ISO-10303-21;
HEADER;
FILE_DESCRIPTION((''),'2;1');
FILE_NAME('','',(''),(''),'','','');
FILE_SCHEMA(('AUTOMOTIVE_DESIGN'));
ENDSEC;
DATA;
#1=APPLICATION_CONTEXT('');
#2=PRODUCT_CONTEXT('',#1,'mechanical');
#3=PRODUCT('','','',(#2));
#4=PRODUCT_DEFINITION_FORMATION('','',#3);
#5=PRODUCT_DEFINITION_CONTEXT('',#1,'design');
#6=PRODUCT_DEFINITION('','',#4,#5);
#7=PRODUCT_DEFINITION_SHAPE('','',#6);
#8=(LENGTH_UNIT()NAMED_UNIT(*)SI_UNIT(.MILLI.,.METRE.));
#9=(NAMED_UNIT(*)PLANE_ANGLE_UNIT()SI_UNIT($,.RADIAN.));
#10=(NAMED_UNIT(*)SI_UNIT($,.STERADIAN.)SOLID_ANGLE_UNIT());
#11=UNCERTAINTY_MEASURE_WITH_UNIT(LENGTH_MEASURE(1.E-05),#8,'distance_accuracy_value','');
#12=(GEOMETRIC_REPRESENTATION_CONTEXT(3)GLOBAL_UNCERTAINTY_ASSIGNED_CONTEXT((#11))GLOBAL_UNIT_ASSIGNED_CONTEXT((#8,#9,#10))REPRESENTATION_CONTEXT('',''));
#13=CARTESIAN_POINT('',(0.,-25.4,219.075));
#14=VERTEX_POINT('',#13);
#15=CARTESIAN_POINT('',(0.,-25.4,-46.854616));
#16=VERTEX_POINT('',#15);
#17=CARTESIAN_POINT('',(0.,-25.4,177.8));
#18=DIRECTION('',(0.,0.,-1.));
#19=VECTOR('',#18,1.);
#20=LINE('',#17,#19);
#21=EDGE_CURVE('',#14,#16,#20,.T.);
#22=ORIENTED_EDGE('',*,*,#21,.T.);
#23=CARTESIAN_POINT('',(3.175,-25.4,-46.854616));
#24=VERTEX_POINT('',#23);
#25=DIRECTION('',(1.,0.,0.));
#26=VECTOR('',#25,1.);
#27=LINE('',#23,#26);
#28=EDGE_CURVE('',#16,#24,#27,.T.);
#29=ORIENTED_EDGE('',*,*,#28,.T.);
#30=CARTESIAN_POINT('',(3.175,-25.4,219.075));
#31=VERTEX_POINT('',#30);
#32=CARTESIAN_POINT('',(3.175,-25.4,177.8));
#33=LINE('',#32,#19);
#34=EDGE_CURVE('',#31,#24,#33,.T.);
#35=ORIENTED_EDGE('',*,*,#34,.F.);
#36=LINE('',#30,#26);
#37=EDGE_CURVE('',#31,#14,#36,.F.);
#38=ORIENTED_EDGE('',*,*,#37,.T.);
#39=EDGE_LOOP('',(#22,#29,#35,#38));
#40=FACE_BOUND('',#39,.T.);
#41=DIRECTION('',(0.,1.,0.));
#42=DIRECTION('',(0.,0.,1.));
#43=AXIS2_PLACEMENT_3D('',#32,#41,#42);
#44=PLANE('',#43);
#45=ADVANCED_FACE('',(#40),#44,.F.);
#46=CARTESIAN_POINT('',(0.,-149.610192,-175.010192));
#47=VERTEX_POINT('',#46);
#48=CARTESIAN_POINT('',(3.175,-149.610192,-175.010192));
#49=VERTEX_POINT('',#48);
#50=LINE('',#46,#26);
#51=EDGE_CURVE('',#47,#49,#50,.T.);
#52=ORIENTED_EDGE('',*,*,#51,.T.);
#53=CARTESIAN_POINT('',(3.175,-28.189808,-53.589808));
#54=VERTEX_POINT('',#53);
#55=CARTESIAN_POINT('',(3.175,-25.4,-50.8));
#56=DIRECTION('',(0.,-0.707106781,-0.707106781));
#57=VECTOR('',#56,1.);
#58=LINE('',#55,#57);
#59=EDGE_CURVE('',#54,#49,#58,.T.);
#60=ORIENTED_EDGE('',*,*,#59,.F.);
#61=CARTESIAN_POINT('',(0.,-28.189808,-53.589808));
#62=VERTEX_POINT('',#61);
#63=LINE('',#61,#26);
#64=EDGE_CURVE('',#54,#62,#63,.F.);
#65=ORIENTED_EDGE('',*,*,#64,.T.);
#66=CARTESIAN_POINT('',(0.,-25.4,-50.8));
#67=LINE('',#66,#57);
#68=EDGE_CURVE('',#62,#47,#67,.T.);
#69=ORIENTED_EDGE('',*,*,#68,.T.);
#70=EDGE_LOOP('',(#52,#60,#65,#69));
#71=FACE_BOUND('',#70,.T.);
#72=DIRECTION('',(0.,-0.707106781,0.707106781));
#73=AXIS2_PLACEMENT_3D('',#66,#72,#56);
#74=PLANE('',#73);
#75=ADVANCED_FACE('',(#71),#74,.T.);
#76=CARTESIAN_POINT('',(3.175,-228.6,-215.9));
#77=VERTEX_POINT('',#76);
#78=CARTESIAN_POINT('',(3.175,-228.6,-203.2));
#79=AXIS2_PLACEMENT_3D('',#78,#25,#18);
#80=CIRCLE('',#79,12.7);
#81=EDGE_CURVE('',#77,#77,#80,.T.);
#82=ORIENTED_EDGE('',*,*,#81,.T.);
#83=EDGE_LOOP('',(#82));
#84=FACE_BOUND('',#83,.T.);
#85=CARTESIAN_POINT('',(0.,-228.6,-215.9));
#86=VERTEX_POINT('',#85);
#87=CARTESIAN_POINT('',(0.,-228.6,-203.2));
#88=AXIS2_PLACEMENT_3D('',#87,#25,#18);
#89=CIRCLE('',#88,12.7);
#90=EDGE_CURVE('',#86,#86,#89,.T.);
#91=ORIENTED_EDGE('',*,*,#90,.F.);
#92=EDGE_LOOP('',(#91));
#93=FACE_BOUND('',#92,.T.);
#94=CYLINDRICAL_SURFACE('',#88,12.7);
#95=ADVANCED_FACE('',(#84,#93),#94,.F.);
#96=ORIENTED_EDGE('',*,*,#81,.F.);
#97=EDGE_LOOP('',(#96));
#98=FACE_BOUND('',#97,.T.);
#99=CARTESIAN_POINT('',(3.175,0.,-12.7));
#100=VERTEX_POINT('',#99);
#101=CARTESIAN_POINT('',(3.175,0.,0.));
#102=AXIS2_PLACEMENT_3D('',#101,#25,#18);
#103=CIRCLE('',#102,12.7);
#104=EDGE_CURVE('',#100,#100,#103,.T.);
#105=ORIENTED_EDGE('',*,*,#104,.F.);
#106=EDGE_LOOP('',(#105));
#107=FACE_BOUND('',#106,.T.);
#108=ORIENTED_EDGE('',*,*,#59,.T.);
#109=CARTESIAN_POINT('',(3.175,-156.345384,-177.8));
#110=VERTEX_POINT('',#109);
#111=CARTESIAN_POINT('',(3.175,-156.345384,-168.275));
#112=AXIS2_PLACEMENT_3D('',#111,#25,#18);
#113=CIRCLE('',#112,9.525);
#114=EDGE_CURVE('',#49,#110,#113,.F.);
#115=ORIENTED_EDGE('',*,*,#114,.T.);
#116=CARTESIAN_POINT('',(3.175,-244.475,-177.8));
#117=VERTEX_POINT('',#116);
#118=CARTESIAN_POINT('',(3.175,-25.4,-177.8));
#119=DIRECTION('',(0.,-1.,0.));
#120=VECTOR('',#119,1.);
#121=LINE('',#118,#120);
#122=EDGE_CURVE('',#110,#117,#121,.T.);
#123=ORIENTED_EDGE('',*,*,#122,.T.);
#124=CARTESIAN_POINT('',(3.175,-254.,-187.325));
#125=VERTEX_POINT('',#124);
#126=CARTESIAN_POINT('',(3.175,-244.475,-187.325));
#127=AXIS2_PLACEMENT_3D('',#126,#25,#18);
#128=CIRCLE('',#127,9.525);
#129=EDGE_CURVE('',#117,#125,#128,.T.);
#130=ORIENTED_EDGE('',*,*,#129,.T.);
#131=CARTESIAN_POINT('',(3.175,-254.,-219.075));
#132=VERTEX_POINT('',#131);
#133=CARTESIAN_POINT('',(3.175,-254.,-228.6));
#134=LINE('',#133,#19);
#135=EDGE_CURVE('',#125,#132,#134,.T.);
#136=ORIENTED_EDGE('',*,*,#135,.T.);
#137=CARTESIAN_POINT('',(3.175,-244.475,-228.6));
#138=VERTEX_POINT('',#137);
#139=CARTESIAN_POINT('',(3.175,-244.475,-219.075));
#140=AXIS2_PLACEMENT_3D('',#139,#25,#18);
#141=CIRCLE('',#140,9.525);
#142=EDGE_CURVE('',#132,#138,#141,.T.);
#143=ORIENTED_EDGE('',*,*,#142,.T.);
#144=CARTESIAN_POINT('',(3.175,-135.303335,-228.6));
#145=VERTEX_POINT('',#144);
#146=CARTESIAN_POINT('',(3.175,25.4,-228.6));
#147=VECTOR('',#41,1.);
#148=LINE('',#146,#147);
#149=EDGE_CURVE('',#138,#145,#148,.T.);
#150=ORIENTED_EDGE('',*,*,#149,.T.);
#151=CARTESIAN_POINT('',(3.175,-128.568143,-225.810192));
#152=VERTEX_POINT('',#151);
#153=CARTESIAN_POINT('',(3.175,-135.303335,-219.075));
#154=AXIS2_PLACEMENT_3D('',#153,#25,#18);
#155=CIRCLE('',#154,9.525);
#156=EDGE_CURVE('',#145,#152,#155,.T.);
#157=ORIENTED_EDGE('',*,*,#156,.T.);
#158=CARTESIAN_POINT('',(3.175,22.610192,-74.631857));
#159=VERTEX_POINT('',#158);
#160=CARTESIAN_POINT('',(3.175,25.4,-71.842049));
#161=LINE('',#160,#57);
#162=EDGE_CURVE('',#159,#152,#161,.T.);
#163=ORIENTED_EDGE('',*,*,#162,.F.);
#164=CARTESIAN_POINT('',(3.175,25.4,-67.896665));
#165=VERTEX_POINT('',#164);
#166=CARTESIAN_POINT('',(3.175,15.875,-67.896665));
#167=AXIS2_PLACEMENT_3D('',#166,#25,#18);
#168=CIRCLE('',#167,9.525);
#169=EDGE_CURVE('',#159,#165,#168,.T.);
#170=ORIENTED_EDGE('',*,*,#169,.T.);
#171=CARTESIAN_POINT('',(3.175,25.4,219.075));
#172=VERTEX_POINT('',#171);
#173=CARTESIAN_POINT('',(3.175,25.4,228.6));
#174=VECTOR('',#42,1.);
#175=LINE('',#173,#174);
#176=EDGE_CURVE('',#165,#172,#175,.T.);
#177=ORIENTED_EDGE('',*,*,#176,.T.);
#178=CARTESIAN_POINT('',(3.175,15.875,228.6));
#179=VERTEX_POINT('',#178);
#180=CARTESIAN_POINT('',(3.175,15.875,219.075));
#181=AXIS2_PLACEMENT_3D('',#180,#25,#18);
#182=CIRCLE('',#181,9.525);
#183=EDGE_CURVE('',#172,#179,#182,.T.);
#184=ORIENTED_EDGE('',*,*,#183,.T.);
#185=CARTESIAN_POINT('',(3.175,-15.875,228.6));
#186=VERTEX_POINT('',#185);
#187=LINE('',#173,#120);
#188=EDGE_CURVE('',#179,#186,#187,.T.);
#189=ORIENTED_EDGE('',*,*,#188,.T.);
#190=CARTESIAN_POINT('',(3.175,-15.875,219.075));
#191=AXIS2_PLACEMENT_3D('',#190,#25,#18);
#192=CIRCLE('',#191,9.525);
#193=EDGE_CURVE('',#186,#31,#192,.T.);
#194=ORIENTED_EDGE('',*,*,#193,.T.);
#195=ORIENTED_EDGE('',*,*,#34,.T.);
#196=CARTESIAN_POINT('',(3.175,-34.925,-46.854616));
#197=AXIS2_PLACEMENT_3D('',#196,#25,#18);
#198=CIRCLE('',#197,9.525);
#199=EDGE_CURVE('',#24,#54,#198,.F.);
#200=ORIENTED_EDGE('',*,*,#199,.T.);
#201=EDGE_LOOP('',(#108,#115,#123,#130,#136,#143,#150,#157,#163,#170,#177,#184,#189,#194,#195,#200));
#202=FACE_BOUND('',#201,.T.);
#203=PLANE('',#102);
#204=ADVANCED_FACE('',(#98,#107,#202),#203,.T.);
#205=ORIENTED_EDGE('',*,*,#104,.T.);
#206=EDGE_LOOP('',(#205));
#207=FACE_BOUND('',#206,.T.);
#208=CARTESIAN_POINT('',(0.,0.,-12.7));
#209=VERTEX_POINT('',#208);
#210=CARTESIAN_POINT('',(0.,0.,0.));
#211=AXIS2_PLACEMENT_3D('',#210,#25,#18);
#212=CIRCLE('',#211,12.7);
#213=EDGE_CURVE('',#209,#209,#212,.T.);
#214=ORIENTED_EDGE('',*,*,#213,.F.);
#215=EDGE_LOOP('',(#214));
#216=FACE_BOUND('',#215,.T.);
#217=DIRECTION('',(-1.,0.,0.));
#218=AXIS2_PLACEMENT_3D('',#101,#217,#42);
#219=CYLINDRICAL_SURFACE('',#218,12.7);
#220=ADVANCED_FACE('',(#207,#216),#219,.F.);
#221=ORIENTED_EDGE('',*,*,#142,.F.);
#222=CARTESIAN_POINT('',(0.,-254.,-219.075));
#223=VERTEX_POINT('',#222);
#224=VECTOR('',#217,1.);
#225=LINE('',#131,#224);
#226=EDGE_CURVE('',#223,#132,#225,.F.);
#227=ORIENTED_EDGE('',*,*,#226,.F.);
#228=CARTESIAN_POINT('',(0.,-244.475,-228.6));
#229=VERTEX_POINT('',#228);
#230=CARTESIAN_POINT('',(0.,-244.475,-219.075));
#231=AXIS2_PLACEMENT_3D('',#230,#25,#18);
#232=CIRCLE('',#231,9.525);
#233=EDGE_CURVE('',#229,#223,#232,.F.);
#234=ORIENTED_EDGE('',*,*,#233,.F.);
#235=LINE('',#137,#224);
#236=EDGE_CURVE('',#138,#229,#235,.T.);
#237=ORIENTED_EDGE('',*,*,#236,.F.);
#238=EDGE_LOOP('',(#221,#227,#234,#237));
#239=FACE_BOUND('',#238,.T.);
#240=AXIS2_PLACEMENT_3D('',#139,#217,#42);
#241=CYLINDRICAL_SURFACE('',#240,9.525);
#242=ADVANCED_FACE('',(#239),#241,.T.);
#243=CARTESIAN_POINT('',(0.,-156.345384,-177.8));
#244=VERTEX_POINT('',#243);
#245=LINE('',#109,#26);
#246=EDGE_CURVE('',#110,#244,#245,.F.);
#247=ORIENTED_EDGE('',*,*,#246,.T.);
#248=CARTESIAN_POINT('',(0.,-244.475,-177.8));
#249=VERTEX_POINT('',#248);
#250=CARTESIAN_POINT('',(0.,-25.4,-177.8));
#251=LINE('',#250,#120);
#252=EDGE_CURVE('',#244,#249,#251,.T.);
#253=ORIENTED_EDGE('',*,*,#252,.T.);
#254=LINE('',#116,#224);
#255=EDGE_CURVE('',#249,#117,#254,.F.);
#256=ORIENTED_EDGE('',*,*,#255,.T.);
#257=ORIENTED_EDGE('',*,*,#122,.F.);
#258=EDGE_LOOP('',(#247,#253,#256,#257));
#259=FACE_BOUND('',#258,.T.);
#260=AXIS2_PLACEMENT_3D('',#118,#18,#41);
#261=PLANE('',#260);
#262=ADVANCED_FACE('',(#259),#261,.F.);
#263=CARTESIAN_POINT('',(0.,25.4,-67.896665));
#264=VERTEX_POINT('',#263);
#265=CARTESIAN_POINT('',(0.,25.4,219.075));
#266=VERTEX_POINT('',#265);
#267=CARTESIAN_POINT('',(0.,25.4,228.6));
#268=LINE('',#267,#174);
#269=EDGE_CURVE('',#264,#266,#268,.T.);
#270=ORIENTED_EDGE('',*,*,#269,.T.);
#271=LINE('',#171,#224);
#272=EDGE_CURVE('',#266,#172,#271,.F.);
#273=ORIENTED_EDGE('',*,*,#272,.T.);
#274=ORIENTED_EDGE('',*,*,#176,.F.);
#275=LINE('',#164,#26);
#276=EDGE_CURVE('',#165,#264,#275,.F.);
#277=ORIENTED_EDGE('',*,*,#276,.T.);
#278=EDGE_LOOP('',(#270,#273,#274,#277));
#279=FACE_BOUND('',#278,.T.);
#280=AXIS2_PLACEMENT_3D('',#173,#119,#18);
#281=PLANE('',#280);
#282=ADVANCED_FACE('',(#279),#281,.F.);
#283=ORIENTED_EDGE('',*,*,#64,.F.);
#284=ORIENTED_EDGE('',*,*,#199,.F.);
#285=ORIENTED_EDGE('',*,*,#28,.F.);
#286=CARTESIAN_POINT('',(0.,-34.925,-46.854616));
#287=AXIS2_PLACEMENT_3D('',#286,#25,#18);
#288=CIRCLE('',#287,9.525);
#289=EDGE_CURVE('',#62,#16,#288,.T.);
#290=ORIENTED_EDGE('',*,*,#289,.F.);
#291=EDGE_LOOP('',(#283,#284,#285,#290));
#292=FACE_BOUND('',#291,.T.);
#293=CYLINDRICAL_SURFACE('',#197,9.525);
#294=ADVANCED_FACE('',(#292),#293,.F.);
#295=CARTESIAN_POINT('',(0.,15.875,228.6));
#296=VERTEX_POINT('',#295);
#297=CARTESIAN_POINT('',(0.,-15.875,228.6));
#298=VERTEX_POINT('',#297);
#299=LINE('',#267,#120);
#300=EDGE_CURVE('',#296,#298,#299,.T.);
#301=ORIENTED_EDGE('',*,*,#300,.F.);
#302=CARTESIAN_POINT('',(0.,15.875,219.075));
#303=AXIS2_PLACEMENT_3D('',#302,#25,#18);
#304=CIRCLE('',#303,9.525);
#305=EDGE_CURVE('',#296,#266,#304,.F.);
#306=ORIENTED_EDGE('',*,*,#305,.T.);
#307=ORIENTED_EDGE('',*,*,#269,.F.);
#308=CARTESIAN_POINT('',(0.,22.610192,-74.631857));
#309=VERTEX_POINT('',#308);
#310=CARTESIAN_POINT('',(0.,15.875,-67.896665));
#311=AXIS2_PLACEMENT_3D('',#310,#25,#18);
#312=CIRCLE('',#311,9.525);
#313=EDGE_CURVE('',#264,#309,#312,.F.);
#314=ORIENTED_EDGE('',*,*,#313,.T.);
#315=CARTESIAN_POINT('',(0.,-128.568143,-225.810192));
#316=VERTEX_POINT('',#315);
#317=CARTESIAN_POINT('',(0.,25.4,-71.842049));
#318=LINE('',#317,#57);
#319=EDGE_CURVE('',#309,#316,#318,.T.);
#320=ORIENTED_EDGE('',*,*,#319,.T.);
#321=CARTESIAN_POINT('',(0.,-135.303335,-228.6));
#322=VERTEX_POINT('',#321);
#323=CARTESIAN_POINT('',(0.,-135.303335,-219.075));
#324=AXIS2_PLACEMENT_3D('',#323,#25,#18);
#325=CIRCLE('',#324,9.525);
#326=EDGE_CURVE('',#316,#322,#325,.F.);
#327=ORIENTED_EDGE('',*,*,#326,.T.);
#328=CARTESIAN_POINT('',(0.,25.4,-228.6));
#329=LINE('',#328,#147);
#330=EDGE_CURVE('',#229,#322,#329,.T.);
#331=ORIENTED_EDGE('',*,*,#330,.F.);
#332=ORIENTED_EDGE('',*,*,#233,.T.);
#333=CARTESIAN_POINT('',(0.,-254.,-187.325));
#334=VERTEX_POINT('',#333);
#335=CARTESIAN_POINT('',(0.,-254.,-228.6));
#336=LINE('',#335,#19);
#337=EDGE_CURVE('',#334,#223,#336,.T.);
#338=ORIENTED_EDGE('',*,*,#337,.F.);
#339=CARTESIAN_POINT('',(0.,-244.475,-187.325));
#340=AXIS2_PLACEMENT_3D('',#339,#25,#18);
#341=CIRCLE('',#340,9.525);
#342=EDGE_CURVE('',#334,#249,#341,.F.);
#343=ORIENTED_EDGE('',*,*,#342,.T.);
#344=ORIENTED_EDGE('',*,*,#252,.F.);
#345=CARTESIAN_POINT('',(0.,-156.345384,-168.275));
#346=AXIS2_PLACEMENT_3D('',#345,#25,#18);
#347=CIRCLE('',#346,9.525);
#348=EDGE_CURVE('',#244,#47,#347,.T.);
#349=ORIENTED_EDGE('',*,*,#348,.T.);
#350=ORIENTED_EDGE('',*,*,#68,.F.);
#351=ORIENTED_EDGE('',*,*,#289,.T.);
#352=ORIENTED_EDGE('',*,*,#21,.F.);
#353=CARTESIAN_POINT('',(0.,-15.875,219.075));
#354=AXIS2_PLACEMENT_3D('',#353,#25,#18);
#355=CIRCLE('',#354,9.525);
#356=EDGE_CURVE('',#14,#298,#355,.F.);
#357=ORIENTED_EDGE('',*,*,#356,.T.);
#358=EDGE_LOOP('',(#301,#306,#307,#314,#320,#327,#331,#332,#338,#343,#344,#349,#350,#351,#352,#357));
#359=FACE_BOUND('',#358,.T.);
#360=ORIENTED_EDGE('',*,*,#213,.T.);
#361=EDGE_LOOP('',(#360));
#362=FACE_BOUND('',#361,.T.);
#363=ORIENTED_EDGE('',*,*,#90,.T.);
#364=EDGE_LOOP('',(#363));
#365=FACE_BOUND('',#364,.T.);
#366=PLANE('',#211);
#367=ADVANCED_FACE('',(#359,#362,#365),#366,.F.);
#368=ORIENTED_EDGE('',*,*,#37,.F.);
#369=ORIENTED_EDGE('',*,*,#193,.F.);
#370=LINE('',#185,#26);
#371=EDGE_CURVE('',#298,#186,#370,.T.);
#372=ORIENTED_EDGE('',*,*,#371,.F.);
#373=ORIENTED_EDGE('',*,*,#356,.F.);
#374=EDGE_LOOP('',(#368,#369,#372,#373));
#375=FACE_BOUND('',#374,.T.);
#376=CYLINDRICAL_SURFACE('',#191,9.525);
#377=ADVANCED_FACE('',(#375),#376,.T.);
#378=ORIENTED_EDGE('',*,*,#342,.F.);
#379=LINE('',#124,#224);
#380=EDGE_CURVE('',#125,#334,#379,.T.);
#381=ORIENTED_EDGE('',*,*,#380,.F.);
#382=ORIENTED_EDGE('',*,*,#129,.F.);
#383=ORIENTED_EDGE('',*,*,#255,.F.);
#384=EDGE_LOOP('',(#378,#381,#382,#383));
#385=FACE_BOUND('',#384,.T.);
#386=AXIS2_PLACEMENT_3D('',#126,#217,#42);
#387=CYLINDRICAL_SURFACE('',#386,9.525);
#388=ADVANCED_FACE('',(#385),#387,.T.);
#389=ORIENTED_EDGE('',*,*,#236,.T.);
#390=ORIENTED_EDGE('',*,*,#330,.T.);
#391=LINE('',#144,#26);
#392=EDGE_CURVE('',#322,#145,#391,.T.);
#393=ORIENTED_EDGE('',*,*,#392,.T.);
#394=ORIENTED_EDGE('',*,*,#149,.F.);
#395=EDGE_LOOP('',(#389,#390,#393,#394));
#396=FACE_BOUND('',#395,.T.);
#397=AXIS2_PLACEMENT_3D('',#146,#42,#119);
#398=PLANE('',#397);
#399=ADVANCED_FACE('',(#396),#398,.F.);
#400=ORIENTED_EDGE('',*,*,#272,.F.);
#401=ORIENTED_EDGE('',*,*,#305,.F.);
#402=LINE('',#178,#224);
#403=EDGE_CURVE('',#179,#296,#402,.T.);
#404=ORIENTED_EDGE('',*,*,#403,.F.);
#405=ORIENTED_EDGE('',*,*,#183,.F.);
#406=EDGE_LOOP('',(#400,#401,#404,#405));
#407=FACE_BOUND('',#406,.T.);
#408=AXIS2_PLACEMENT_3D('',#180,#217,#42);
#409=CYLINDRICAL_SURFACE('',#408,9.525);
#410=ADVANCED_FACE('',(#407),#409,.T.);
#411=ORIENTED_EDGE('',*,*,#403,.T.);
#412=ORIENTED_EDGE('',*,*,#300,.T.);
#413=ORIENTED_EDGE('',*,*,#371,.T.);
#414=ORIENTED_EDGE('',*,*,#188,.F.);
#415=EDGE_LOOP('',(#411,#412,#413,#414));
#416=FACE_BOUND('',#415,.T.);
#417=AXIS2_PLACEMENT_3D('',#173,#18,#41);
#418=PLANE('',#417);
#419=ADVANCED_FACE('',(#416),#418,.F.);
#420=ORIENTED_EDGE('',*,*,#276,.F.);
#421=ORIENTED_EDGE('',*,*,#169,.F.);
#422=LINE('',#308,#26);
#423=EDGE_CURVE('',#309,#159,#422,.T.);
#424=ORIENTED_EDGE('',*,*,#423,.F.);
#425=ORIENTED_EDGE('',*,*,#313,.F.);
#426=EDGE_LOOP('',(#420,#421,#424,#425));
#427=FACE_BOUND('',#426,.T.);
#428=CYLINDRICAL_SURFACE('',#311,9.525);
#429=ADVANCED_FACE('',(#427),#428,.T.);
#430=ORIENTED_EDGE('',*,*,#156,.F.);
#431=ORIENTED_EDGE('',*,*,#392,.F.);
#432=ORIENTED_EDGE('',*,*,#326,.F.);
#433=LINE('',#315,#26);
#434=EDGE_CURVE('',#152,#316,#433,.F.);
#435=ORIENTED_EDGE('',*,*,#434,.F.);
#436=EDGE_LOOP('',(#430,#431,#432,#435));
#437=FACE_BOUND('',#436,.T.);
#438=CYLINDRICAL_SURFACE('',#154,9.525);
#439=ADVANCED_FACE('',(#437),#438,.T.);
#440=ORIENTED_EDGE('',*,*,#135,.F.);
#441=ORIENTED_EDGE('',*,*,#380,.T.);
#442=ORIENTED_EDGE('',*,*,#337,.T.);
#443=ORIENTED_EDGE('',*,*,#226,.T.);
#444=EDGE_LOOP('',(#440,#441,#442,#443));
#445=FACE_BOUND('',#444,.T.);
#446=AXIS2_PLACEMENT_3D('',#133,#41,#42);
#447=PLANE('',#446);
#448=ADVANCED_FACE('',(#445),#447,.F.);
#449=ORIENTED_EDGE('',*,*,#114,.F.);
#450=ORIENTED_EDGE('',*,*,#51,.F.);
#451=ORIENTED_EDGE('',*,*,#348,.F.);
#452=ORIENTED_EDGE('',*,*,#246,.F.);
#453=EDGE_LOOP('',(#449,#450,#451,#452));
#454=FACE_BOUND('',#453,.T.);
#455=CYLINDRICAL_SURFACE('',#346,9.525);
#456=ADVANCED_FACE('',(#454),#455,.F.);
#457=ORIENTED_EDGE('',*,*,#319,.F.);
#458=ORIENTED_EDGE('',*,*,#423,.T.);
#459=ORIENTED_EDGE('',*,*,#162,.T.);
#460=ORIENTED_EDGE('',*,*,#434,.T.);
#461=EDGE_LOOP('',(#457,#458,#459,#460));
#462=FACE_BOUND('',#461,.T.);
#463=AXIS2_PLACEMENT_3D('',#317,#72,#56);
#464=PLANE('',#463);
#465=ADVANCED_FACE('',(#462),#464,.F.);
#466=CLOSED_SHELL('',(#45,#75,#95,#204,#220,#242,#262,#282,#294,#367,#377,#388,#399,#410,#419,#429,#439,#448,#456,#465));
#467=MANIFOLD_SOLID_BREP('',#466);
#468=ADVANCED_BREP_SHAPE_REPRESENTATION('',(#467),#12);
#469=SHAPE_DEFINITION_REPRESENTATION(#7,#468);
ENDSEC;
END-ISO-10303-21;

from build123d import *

# Parameters (mm, degrees)
SKETCH1_R           = 12.7
BOSS_EXTRUDE1_DEPTH = 3.175
SKETCH3_R           = 12.7
CUT_EXTRUDE1_DEPTH  = 4.175
SKETCH4_W           = 50.8
SKETCH4_H           = 228.6
CUT_EXTRUDE2_DEPTH  = 4.175
BOSS_EXTRUDE2_DEPTH = 3.175
CUT_EXTRUDE3_DEPTH  = 4.175
FILLET1_R           = 9.525


with BuildPart() as part:
    # Sketch1 → Boss-Extrude1 (new body)
    with BuildSketch(Plane(origin=(0, 0, 0), x_dir=(0, 0, -1), z_dir=(1, 0, 0))):
        Polygon((-228.6, 25.4), (228.6, 25.4), (228.6, -254), (177.8, -254), (177.8, -25.4), (-177.8, -25.4), (-177.8, -254), (-228.6, -254), align=None)
        Circle(SKETCH1_R, mode=Mode.SUBTRACT)
    extrude(amount=BOSS_EXTRUDE1_DEPTH)

    # Sketch3 → Cut-Extrude1 (cut, through all)
    with BuildSketch(Plane(origin=(3.175, 0, 0), x_dir=(0, 0, -1), z_dir=(1, 0, 0))):
        with Locations((-203.2, -228.6)):
            Circle(SKETCH3_R)
        with Locations((203.2, -228.6)):
            Circle(SKETCH3_R)
    extrude(amount=-CUT_EXTRUDE1_DEPTH, mode=Mode.SUBTRACT)

    # Sketch4 → Cut-Extrude2 (cut, through all)
    with BuildSketch(Plane(origin=(3.175, 0, 0), x_dir=(0, 0, -1), z_dir=(1, 0, 0))):
        with Locations((-203.2, -139.7)):
            Rectangle(SKETCH4_W, SKETCH4_H)
    extrude(amount=-CUT_EXTRUDE2_DEPTH, mode=Mode.SUBTRACT)

    # Sketch5 → Boss-Extrude2 (add)
    with BuildSketch(Plane(origin=(3.175, 0, 0), x_dir=(0, 0, -1), z_dir=(1, 0, 0))):
        Polygon((50.8, -25.4), (177.8, -152.4), (177.8, -25.4), align=None)
    extrude(amount=-BOSS_EXTRUDE2_DEPTH)

    # Sketch6 → Cut-Extrude3 (cut, through all)
    with BuildSketch(Plane(origin=(3.175, 0, 0), x_dir=(0, 0, -1), z_dir=(1, 0, 0))):
        Polygon((71.842048969, 25.4), (228.6, -131.357951031), (228.6, 25.4), align=None)
    extrude(amount=-CUT_EXTRUDE3_DEPTH, mode=Mode.SUBTRACT)

    # Fillet1
    fillet1_edges = [part.edges().sort_by_distance(p)[0] for p in [
        (1.5875, 25.4, 228.6),
        (1.5875, -254, -228.6),
        (1.5875, -254, -177.8),
        (1.5875, -25.4, 228.6),
        (1.5875, -25.4, -50.8),
        (1.5875, -152.4, -177.8),
        (1.5875, 25.4, -71.842048969),
        (1.5875, -131.357951031, -228.6),
    ]]
    fillet(fillet1_edges, radius=FILLET1_R)


solid = part.part
